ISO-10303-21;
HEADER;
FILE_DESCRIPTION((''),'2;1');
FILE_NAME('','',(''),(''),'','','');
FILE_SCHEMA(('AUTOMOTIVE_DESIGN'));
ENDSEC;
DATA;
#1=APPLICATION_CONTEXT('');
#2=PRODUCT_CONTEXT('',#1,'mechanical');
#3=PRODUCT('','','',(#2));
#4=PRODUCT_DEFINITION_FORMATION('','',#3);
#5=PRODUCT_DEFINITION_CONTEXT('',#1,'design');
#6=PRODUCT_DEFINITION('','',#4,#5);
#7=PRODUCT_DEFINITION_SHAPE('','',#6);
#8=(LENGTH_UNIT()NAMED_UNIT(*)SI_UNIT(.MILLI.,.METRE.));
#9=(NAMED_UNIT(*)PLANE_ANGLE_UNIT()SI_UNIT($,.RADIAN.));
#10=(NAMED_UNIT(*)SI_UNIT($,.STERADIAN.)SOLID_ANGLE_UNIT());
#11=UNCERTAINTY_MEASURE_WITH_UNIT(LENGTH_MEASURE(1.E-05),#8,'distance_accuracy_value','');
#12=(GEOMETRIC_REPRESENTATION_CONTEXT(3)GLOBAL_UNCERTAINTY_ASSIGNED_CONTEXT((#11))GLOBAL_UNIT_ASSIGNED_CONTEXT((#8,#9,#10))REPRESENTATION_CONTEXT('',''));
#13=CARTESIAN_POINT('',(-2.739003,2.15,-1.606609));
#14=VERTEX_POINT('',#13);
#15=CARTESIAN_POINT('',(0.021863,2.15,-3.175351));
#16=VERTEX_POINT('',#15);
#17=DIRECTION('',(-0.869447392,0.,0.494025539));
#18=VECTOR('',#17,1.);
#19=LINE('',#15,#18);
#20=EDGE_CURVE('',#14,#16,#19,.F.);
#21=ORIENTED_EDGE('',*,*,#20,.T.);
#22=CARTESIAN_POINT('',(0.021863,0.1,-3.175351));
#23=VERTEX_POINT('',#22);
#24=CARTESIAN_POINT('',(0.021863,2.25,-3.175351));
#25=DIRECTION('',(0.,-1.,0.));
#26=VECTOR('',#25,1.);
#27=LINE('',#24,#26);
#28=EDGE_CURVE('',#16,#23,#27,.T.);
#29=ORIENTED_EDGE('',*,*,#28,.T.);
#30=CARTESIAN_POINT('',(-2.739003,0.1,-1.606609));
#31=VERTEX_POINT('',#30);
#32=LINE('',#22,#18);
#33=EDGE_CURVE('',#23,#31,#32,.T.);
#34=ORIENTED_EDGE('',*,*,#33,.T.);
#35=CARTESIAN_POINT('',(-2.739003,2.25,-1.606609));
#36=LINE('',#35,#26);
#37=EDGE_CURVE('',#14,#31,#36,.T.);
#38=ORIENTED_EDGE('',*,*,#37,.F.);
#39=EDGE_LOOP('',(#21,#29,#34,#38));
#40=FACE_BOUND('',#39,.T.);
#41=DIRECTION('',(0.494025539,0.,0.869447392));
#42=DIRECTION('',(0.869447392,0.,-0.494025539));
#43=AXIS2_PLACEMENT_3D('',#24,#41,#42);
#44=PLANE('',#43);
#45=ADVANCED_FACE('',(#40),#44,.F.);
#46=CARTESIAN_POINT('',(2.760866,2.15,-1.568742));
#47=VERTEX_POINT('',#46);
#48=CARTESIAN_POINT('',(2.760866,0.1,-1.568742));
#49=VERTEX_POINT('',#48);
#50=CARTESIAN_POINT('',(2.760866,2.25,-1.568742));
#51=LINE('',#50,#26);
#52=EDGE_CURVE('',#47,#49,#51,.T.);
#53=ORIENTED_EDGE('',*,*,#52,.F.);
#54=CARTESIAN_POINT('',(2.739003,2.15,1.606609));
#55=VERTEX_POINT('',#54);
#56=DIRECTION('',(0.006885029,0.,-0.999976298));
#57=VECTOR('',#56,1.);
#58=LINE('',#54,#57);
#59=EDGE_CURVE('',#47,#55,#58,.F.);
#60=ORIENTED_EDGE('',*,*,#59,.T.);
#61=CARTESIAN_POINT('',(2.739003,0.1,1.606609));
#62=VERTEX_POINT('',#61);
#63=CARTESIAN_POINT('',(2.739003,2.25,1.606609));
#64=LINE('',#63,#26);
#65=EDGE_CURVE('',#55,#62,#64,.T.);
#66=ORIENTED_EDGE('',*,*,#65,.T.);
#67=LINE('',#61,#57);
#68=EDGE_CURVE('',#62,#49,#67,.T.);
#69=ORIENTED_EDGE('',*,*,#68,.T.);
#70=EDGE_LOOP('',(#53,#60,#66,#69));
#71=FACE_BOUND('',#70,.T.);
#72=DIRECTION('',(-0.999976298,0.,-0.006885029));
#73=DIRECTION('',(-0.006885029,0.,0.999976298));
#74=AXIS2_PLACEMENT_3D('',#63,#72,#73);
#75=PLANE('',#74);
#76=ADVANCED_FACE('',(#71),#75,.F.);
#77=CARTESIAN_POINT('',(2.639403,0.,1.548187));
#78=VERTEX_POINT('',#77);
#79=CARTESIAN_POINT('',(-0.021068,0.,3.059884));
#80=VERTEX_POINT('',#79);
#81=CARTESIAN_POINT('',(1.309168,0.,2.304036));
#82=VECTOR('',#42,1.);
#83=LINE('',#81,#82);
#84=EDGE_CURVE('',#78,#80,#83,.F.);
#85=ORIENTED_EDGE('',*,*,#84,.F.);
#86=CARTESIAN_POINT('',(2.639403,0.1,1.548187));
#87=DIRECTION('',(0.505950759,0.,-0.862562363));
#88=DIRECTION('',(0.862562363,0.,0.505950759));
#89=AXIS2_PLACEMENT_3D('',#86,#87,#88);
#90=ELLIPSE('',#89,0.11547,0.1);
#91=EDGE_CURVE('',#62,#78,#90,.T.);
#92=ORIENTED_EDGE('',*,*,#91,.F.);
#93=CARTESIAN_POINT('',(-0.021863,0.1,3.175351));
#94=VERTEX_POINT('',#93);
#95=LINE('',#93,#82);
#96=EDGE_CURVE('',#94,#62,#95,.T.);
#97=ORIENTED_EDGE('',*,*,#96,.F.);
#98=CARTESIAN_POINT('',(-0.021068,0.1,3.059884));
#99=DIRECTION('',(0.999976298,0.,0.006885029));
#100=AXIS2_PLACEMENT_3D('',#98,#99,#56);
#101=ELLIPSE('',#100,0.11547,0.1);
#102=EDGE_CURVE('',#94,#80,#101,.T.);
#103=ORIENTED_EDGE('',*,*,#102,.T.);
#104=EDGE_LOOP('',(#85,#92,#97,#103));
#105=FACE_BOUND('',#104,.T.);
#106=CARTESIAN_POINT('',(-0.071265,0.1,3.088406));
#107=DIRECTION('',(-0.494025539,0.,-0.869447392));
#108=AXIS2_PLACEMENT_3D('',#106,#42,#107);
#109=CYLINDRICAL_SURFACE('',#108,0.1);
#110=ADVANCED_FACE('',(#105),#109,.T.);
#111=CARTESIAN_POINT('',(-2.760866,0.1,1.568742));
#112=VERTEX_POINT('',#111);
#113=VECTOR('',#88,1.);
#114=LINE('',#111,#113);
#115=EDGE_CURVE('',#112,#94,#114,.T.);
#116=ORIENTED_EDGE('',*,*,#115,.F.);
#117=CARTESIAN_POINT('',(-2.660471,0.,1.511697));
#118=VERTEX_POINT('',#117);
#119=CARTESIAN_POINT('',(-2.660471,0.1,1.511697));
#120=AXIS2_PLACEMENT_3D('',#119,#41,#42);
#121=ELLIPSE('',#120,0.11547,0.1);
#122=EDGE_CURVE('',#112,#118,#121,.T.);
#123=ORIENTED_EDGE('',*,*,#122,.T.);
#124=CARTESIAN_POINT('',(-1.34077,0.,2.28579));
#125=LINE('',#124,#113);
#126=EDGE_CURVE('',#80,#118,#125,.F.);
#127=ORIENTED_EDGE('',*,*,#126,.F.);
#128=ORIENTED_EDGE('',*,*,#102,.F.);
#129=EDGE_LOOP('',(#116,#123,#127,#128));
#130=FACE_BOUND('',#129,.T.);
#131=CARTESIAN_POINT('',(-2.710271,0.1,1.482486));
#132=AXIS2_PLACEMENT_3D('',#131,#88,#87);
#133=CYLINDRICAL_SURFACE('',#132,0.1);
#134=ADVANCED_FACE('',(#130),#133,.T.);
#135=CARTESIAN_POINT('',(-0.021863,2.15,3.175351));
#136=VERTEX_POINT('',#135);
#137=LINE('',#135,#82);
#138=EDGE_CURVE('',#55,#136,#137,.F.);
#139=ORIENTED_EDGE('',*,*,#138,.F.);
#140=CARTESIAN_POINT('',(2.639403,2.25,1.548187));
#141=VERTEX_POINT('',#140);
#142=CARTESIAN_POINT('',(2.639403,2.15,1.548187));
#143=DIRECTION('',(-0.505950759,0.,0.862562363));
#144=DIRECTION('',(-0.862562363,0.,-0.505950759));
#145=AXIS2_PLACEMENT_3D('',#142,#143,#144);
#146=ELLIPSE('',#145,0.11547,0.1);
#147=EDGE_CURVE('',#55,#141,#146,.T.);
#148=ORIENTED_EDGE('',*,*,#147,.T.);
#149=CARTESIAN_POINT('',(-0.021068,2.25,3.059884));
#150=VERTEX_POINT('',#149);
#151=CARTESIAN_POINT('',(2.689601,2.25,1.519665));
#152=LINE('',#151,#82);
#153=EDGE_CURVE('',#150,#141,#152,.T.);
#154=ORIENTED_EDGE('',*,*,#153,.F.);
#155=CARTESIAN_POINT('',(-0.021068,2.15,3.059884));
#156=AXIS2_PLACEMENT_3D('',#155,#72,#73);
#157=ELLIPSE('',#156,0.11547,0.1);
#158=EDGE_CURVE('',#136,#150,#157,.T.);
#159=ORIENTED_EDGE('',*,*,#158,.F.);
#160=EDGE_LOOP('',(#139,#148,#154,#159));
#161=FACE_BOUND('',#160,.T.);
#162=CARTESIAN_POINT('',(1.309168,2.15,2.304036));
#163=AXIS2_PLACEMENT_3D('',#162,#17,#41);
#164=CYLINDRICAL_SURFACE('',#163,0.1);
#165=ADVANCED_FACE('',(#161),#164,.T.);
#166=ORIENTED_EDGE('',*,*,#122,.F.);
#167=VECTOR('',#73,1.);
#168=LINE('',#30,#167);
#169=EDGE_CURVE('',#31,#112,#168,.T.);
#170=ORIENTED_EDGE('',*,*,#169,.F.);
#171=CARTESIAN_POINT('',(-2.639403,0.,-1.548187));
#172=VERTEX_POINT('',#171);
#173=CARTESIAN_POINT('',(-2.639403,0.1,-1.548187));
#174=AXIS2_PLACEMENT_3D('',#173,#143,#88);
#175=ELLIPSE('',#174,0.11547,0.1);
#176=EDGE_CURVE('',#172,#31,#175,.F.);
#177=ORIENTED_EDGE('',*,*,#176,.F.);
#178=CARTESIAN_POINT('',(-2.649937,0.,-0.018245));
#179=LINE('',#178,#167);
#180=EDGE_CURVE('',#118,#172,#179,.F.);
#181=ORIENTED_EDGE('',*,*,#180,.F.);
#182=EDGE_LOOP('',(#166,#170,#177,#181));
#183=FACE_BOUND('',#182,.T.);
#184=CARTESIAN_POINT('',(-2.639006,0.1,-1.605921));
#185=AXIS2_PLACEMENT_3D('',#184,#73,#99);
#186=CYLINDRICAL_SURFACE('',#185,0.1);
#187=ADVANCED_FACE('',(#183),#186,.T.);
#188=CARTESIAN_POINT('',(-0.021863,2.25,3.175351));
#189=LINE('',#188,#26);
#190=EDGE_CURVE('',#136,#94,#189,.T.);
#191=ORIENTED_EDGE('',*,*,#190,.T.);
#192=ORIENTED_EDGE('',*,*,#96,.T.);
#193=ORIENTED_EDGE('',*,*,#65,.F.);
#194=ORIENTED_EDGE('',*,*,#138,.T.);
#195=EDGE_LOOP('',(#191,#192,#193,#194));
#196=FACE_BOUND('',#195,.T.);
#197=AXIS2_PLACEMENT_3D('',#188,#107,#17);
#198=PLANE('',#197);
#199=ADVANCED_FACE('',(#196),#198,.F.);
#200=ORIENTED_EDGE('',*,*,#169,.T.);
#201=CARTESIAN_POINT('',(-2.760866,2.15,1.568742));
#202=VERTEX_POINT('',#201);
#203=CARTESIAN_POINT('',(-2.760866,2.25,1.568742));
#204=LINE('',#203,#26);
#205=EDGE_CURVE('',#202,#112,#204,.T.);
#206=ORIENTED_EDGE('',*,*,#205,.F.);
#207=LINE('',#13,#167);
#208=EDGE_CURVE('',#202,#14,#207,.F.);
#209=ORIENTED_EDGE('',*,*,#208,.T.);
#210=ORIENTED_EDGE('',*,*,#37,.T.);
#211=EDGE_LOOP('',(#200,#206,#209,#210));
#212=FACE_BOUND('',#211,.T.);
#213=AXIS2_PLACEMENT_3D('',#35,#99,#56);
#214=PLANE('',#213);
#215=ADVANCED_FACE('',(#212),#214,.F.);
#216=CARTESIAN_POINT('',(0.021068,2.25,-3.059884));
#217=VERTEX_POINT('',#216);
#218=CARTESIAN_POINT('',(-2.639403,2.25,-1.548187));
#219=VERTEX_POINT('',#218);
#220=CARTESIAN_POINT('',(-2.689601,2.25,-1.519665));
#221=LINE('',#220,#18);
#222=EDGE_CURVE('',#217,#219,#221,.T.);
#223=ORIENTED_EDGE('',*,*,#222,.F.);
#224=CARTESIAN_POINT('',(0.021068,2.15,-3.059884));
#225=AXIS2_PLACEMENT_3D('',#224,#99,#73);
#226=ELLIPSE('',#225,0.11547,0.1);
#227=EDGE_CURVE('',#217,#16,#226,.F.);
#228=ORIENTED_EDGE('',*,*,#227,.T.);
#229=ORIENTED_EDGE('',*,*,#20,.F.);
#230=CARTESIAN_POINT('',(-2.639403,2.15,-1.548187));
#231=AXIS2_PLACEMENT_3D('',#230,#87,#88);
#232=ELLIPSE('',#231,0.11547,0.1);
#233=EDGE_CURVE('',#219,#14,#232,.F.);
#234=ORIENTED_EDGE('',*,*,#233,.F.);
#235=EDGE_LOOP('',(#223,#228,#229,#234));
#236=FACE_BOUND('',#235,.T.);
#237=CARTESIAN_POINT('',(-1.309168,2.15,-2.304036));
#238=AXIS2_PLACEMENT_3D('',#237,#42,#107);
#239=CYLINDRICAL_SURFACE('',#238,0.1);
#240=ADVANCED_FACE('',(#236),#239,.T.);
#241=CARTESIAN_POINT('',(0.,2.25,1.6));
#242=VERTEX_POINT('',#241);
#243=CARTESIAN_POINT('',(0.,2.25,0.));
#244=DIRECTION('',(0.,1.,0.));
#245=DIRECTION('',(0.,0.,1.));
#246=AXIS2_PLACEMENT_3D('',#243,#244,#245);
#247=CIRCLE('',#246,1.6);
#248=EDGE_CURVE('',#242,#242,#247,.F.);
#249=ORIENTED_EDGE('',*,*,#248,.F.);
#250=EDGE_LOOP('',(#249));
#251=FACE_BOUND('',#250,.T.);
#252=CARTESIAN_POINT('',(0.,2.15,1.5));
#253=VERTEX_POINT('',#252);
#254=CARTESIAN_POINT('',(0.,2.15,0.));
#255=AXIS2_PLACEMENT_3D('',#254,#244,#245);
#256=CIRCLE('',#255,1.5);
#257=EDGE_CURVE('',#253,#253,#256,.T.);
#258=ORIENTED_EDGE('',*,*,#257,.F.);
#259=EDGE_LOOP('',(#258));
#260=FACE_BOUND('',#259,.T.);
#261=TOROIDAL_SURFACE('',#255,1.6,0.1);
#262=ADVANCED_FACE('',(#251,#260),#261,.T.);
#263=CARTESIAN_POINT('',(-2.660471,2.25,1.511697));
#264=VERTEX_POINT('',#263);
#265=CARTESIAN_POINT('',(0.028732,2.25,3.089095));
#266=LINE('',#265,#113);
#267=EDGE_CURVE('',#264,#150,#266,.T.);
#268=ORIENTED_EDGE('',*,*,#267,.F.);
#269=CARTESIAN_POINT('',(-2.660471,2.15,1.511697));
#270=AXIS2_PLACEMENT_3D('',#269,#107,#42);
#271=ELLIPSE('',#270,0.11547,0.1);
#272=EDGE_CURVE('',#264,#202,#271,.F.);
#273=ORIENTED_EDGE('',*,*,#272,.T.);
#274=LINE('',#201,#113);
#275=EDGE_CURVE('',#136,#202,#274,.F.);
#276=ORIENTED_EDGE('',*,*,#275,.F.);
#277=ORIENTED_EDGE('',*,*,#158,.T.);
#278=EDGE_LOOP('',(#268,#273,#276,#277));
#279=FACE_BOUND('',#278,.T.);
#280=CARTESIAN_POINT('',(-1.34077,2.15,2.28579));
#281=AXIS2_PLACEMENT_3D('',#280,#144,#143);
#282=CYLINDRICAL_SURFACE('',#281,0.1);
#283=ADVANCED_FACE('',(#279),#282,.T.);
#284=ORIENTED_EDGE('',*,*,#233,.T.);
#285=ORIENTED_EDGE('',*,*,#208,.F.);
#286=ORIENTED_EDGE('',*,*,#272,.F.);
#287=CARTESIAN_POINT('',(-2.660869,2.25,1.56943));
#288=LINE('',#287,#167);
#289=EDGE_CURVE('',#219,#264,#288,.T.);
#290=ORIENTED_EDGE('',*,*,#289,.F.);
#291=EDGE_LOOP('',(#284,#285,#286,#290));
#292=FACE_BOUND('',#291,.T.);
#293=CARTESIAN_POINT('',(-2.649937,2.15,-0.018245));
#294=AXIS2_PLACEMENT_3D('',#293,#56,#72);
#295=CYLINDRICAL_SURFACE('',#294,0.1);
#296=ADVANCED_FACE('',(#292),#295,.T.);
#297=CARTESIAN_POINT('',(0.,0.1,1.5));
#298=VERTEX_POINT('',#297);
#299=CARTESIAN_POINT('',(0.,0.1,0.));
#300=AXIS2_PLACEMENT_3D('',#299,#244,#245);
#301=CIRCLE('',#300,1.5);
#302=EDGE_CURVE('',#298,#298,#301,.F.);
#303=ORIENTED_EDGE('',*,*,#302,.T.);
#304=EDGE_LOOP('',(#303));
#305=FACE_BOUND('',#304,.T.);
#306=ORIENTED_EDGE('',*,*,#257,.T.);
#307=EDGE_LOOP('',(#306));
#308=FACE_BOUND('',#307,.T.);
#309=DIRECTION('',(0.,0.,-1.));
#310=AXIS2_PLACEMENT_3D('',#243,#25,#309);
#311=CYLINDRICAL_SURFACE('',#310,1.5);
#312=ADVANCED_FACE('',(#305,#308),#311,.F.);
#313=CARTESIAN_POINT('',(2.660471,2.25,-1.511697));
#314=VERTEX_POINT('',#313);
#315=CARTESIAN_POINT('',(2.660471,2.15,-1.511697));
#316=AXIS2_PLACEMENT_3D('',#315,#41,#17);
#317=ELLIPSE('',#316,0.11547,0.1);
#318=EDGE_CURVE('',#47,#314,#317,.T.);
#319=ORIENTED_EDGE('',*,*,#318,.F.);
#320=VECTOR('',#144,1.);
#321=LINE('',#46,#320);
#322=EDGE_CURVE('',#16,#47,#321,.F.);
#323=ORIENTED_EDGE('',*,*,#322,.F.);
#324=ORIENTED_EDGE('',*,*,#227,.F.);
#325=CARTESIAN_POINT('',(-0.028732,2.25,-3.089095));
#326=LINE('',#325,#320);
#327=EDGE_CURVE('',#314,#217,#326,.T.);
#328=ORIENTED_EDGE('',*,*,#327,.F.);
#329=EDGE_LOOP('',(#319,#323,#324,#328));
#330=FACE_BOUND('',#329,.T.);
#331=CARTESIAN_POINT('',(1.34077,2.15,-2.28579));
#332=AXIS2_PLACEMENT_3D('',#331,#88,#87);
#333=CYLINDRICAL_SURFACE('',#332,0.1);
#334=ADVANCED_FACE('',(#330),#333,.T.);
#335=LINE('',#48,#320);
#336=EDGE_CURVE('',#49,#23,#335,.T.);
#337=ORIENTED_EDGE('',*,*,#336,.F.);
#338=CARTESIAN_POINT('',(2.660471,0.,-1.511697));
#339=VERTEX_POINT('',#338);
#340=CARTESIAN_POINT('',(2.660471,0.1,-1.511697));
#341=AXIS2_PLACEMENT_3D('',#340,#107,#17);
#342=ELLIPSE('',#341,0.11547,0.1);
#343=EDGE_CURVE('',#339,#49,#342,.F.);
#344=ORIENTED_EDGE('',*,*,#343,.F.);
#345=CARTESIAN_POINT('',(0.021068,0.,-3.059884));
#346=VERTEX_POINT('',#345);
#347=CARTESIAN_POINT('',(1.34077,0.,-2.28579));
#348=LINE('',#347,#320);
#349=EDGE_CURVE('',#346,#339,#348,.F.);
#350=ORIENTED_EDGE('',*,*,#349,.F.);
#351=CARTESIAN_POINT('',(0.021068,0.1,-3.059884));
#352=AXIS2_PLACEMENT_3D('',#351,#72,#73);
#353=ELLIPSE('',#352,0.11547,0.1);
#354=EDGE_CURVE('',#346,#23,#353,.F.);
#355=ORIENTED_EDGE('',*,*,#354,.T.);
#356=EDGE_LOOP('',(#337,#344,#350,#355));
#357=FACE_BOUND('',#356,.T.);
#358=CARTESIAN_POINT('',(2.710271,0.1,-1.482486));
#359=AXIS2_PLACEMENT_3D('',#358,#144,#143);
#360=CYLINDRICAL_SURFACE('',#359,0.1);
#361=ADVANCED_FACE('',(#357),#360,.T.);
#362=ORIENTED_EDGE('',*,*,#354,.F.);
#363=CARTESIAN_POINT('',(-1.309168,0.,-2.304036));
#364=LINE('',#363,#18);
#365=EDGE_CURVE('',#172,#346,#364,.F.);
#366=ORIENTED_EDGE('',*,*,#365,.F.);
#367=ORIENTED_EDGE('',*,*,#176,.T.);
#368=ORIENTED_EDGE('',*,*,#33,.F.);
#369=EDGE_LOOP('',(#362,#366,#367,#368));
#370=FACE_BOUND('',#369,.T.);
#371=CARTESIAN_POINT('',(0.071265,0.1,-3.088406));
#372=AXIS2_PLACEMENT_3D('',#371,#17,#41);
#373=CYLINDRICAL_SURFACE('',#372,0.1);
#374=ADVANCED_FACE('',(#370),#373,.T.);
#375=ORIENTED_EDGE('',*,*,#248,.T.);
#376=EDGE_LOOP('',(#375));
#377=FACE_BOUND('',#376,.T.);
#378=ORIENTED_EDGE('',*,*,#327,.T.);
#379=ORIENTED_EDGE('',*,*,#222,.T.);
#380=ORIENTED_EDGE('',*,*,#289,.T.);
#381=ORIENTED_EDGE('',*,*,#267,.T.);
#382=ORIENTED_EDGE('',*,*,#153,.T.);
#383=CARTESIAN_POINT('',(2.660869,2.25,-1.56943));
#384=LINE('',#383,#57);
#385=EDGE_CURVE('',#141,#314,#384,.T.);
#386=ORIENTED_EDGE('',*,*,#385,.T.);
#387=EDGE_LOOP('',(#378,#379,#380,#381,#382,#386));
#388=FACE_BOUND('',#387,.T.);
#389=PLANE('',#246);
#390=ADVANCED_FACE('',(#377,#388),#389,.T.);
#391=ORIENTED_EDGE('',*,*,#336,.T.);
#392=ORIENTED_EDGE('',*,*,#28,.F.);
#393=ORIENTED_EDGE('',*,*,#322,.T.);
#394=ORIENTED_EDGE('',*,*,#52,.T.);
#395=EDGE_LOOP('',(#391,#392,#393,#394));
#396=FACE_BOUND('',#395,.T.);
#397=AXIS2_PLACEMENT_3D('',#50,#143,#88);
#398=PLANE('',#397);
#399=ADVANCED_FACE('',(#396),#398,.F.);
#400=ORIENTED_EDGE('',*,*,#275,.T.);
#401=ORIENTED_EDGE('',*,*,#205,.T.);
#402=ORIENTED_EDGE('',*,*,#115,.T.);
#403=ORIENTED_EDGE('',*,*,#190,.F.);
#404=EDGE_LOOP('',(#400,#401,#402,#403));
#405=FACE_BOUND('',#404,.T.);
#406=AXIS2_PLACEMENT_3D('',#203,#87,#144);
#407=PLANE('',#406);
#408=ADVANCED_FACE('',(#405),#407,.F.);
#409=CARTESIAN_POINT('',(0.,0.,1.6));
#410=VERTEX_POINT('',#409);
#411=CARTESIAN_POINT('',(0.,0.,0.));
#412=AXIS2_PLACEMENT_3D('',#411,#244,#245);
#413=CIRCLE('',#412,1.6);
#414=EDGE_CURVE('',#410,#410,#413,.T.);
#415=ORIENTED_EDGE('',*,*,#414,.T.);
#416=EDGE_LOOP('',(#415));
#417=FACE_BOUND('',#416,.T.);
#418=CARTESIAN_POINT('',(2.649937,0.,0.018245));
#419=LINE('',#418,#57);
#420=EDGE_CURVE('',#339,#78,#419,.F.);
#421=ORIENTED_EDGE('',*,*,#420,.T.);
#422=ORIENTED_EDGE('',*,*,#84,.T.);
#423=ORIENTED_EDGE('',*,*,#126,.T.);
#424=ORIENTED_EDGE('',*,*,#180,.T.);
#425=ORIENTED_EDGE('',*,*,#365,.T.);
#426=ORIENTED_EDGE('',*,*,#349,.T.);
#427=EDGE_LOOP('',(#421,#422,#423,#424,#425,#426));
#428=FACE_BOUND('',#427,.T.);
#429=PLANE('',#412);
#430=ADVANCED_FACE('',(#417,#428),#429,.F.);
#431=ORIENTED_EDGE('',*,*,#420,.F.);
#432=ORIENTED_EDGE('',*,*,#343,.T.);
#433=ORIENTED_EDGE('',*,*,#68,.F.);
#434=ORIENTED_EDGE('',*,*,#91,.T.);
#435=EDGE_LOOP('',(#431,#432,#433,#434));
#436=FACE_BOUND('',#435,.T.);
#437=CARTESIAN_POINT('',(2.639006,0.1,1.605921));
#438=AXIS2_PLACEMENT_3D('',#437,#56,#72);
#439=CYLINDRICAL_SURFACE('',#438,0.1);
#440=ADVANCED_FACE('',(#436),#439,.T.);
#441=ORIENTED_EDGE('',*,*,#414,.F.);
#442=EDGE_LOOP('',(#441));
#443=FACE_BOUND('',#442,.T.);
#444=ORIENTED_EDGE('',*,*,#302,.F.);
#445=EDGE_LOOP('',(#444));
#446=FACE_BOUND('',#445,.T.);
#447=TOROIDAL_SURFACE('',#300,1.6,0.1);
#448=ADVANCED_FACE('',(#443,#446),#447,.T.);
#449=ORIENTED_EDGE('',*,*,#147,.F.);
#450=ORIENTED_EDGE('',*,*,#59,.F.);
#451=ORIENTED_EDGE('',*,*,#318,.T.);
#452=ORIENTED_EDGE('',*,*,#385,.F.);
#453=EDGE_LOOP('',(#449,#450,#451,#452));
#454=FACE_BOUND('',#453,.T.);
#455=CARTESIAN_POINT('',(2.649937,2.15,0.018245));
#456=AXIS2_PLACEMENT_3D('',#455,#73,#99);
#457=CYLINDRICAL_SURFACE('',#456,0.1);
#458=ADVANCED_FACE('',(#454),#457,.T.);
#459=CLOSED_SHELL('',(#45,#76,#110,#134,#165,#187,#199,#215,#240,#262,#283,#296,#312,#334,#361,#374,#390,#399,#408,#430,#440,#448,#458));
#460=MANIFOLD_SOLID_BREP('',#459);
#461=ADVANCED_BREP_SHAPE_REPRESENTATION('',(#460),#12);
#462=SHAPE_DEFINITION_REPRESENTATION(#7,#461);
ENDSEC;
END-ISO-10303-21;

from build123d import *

# Parameters (mm, degrees)
SKETCH1_R           = 1.5
BOSS_EXTRUDE1_DEPTH = 2.25
FILLET1_R           = 0.1


with BuildPart() as part:
    # Sketch1 → Boss-Extrude1 (new body)
    with BuildSketch(Plane(origin=(0, 0, 0), x_dir=(1, 0, 0), z_dir=(0, 1, 0))):
        Polygon((2.739003368, -1.606609438), (2.760866271, 1.568741778), (0.021862903, 3.175351216), (-2.739003368, 1.606609438), (-2.760866271, -1.568741778), (-0.021862903, -3.175351216), align=None)
        with Locations(Location((0, 0, 0), (0, 0, 270))):
            Circle(SKETCH1_R, mode=Mode.SUBTRACT)
    extrude(amount=BOSS_EXTRUDE1_DEPTH)

    # Fillet1
    fillet1_edges = [part.edges().sort_by_distance(p)[0] for p in [
        (1.391364587, 2.25, -2.372046497),
        (-1.358570232, 2.25, -2.390980327),
        (-2.749934819, 2.25, -0.01893383),
        (0, 0, -1.5),
        (0, 2.25, -1.5),
        (-1.391364587, 2.25, 2.372046497),
        (1.358570232, 2.25, 2.390980327),
        (-1.391364587, 0, 2.372046497),
        (-2.749934819, 0, -0.01893383),
        (-1.358570232, 0, -2.390980327),
        (2.749934819, 2.25, 0.01893383),
        (1.391364587, 0, -2.372046497),
        (2.749934819, 0, 0.01893383),
        (1.358570232, 0, 2.390980327),
    ]]
    fillet(fillet1_edges, radius=FILLET1_R)


solid = part.part
